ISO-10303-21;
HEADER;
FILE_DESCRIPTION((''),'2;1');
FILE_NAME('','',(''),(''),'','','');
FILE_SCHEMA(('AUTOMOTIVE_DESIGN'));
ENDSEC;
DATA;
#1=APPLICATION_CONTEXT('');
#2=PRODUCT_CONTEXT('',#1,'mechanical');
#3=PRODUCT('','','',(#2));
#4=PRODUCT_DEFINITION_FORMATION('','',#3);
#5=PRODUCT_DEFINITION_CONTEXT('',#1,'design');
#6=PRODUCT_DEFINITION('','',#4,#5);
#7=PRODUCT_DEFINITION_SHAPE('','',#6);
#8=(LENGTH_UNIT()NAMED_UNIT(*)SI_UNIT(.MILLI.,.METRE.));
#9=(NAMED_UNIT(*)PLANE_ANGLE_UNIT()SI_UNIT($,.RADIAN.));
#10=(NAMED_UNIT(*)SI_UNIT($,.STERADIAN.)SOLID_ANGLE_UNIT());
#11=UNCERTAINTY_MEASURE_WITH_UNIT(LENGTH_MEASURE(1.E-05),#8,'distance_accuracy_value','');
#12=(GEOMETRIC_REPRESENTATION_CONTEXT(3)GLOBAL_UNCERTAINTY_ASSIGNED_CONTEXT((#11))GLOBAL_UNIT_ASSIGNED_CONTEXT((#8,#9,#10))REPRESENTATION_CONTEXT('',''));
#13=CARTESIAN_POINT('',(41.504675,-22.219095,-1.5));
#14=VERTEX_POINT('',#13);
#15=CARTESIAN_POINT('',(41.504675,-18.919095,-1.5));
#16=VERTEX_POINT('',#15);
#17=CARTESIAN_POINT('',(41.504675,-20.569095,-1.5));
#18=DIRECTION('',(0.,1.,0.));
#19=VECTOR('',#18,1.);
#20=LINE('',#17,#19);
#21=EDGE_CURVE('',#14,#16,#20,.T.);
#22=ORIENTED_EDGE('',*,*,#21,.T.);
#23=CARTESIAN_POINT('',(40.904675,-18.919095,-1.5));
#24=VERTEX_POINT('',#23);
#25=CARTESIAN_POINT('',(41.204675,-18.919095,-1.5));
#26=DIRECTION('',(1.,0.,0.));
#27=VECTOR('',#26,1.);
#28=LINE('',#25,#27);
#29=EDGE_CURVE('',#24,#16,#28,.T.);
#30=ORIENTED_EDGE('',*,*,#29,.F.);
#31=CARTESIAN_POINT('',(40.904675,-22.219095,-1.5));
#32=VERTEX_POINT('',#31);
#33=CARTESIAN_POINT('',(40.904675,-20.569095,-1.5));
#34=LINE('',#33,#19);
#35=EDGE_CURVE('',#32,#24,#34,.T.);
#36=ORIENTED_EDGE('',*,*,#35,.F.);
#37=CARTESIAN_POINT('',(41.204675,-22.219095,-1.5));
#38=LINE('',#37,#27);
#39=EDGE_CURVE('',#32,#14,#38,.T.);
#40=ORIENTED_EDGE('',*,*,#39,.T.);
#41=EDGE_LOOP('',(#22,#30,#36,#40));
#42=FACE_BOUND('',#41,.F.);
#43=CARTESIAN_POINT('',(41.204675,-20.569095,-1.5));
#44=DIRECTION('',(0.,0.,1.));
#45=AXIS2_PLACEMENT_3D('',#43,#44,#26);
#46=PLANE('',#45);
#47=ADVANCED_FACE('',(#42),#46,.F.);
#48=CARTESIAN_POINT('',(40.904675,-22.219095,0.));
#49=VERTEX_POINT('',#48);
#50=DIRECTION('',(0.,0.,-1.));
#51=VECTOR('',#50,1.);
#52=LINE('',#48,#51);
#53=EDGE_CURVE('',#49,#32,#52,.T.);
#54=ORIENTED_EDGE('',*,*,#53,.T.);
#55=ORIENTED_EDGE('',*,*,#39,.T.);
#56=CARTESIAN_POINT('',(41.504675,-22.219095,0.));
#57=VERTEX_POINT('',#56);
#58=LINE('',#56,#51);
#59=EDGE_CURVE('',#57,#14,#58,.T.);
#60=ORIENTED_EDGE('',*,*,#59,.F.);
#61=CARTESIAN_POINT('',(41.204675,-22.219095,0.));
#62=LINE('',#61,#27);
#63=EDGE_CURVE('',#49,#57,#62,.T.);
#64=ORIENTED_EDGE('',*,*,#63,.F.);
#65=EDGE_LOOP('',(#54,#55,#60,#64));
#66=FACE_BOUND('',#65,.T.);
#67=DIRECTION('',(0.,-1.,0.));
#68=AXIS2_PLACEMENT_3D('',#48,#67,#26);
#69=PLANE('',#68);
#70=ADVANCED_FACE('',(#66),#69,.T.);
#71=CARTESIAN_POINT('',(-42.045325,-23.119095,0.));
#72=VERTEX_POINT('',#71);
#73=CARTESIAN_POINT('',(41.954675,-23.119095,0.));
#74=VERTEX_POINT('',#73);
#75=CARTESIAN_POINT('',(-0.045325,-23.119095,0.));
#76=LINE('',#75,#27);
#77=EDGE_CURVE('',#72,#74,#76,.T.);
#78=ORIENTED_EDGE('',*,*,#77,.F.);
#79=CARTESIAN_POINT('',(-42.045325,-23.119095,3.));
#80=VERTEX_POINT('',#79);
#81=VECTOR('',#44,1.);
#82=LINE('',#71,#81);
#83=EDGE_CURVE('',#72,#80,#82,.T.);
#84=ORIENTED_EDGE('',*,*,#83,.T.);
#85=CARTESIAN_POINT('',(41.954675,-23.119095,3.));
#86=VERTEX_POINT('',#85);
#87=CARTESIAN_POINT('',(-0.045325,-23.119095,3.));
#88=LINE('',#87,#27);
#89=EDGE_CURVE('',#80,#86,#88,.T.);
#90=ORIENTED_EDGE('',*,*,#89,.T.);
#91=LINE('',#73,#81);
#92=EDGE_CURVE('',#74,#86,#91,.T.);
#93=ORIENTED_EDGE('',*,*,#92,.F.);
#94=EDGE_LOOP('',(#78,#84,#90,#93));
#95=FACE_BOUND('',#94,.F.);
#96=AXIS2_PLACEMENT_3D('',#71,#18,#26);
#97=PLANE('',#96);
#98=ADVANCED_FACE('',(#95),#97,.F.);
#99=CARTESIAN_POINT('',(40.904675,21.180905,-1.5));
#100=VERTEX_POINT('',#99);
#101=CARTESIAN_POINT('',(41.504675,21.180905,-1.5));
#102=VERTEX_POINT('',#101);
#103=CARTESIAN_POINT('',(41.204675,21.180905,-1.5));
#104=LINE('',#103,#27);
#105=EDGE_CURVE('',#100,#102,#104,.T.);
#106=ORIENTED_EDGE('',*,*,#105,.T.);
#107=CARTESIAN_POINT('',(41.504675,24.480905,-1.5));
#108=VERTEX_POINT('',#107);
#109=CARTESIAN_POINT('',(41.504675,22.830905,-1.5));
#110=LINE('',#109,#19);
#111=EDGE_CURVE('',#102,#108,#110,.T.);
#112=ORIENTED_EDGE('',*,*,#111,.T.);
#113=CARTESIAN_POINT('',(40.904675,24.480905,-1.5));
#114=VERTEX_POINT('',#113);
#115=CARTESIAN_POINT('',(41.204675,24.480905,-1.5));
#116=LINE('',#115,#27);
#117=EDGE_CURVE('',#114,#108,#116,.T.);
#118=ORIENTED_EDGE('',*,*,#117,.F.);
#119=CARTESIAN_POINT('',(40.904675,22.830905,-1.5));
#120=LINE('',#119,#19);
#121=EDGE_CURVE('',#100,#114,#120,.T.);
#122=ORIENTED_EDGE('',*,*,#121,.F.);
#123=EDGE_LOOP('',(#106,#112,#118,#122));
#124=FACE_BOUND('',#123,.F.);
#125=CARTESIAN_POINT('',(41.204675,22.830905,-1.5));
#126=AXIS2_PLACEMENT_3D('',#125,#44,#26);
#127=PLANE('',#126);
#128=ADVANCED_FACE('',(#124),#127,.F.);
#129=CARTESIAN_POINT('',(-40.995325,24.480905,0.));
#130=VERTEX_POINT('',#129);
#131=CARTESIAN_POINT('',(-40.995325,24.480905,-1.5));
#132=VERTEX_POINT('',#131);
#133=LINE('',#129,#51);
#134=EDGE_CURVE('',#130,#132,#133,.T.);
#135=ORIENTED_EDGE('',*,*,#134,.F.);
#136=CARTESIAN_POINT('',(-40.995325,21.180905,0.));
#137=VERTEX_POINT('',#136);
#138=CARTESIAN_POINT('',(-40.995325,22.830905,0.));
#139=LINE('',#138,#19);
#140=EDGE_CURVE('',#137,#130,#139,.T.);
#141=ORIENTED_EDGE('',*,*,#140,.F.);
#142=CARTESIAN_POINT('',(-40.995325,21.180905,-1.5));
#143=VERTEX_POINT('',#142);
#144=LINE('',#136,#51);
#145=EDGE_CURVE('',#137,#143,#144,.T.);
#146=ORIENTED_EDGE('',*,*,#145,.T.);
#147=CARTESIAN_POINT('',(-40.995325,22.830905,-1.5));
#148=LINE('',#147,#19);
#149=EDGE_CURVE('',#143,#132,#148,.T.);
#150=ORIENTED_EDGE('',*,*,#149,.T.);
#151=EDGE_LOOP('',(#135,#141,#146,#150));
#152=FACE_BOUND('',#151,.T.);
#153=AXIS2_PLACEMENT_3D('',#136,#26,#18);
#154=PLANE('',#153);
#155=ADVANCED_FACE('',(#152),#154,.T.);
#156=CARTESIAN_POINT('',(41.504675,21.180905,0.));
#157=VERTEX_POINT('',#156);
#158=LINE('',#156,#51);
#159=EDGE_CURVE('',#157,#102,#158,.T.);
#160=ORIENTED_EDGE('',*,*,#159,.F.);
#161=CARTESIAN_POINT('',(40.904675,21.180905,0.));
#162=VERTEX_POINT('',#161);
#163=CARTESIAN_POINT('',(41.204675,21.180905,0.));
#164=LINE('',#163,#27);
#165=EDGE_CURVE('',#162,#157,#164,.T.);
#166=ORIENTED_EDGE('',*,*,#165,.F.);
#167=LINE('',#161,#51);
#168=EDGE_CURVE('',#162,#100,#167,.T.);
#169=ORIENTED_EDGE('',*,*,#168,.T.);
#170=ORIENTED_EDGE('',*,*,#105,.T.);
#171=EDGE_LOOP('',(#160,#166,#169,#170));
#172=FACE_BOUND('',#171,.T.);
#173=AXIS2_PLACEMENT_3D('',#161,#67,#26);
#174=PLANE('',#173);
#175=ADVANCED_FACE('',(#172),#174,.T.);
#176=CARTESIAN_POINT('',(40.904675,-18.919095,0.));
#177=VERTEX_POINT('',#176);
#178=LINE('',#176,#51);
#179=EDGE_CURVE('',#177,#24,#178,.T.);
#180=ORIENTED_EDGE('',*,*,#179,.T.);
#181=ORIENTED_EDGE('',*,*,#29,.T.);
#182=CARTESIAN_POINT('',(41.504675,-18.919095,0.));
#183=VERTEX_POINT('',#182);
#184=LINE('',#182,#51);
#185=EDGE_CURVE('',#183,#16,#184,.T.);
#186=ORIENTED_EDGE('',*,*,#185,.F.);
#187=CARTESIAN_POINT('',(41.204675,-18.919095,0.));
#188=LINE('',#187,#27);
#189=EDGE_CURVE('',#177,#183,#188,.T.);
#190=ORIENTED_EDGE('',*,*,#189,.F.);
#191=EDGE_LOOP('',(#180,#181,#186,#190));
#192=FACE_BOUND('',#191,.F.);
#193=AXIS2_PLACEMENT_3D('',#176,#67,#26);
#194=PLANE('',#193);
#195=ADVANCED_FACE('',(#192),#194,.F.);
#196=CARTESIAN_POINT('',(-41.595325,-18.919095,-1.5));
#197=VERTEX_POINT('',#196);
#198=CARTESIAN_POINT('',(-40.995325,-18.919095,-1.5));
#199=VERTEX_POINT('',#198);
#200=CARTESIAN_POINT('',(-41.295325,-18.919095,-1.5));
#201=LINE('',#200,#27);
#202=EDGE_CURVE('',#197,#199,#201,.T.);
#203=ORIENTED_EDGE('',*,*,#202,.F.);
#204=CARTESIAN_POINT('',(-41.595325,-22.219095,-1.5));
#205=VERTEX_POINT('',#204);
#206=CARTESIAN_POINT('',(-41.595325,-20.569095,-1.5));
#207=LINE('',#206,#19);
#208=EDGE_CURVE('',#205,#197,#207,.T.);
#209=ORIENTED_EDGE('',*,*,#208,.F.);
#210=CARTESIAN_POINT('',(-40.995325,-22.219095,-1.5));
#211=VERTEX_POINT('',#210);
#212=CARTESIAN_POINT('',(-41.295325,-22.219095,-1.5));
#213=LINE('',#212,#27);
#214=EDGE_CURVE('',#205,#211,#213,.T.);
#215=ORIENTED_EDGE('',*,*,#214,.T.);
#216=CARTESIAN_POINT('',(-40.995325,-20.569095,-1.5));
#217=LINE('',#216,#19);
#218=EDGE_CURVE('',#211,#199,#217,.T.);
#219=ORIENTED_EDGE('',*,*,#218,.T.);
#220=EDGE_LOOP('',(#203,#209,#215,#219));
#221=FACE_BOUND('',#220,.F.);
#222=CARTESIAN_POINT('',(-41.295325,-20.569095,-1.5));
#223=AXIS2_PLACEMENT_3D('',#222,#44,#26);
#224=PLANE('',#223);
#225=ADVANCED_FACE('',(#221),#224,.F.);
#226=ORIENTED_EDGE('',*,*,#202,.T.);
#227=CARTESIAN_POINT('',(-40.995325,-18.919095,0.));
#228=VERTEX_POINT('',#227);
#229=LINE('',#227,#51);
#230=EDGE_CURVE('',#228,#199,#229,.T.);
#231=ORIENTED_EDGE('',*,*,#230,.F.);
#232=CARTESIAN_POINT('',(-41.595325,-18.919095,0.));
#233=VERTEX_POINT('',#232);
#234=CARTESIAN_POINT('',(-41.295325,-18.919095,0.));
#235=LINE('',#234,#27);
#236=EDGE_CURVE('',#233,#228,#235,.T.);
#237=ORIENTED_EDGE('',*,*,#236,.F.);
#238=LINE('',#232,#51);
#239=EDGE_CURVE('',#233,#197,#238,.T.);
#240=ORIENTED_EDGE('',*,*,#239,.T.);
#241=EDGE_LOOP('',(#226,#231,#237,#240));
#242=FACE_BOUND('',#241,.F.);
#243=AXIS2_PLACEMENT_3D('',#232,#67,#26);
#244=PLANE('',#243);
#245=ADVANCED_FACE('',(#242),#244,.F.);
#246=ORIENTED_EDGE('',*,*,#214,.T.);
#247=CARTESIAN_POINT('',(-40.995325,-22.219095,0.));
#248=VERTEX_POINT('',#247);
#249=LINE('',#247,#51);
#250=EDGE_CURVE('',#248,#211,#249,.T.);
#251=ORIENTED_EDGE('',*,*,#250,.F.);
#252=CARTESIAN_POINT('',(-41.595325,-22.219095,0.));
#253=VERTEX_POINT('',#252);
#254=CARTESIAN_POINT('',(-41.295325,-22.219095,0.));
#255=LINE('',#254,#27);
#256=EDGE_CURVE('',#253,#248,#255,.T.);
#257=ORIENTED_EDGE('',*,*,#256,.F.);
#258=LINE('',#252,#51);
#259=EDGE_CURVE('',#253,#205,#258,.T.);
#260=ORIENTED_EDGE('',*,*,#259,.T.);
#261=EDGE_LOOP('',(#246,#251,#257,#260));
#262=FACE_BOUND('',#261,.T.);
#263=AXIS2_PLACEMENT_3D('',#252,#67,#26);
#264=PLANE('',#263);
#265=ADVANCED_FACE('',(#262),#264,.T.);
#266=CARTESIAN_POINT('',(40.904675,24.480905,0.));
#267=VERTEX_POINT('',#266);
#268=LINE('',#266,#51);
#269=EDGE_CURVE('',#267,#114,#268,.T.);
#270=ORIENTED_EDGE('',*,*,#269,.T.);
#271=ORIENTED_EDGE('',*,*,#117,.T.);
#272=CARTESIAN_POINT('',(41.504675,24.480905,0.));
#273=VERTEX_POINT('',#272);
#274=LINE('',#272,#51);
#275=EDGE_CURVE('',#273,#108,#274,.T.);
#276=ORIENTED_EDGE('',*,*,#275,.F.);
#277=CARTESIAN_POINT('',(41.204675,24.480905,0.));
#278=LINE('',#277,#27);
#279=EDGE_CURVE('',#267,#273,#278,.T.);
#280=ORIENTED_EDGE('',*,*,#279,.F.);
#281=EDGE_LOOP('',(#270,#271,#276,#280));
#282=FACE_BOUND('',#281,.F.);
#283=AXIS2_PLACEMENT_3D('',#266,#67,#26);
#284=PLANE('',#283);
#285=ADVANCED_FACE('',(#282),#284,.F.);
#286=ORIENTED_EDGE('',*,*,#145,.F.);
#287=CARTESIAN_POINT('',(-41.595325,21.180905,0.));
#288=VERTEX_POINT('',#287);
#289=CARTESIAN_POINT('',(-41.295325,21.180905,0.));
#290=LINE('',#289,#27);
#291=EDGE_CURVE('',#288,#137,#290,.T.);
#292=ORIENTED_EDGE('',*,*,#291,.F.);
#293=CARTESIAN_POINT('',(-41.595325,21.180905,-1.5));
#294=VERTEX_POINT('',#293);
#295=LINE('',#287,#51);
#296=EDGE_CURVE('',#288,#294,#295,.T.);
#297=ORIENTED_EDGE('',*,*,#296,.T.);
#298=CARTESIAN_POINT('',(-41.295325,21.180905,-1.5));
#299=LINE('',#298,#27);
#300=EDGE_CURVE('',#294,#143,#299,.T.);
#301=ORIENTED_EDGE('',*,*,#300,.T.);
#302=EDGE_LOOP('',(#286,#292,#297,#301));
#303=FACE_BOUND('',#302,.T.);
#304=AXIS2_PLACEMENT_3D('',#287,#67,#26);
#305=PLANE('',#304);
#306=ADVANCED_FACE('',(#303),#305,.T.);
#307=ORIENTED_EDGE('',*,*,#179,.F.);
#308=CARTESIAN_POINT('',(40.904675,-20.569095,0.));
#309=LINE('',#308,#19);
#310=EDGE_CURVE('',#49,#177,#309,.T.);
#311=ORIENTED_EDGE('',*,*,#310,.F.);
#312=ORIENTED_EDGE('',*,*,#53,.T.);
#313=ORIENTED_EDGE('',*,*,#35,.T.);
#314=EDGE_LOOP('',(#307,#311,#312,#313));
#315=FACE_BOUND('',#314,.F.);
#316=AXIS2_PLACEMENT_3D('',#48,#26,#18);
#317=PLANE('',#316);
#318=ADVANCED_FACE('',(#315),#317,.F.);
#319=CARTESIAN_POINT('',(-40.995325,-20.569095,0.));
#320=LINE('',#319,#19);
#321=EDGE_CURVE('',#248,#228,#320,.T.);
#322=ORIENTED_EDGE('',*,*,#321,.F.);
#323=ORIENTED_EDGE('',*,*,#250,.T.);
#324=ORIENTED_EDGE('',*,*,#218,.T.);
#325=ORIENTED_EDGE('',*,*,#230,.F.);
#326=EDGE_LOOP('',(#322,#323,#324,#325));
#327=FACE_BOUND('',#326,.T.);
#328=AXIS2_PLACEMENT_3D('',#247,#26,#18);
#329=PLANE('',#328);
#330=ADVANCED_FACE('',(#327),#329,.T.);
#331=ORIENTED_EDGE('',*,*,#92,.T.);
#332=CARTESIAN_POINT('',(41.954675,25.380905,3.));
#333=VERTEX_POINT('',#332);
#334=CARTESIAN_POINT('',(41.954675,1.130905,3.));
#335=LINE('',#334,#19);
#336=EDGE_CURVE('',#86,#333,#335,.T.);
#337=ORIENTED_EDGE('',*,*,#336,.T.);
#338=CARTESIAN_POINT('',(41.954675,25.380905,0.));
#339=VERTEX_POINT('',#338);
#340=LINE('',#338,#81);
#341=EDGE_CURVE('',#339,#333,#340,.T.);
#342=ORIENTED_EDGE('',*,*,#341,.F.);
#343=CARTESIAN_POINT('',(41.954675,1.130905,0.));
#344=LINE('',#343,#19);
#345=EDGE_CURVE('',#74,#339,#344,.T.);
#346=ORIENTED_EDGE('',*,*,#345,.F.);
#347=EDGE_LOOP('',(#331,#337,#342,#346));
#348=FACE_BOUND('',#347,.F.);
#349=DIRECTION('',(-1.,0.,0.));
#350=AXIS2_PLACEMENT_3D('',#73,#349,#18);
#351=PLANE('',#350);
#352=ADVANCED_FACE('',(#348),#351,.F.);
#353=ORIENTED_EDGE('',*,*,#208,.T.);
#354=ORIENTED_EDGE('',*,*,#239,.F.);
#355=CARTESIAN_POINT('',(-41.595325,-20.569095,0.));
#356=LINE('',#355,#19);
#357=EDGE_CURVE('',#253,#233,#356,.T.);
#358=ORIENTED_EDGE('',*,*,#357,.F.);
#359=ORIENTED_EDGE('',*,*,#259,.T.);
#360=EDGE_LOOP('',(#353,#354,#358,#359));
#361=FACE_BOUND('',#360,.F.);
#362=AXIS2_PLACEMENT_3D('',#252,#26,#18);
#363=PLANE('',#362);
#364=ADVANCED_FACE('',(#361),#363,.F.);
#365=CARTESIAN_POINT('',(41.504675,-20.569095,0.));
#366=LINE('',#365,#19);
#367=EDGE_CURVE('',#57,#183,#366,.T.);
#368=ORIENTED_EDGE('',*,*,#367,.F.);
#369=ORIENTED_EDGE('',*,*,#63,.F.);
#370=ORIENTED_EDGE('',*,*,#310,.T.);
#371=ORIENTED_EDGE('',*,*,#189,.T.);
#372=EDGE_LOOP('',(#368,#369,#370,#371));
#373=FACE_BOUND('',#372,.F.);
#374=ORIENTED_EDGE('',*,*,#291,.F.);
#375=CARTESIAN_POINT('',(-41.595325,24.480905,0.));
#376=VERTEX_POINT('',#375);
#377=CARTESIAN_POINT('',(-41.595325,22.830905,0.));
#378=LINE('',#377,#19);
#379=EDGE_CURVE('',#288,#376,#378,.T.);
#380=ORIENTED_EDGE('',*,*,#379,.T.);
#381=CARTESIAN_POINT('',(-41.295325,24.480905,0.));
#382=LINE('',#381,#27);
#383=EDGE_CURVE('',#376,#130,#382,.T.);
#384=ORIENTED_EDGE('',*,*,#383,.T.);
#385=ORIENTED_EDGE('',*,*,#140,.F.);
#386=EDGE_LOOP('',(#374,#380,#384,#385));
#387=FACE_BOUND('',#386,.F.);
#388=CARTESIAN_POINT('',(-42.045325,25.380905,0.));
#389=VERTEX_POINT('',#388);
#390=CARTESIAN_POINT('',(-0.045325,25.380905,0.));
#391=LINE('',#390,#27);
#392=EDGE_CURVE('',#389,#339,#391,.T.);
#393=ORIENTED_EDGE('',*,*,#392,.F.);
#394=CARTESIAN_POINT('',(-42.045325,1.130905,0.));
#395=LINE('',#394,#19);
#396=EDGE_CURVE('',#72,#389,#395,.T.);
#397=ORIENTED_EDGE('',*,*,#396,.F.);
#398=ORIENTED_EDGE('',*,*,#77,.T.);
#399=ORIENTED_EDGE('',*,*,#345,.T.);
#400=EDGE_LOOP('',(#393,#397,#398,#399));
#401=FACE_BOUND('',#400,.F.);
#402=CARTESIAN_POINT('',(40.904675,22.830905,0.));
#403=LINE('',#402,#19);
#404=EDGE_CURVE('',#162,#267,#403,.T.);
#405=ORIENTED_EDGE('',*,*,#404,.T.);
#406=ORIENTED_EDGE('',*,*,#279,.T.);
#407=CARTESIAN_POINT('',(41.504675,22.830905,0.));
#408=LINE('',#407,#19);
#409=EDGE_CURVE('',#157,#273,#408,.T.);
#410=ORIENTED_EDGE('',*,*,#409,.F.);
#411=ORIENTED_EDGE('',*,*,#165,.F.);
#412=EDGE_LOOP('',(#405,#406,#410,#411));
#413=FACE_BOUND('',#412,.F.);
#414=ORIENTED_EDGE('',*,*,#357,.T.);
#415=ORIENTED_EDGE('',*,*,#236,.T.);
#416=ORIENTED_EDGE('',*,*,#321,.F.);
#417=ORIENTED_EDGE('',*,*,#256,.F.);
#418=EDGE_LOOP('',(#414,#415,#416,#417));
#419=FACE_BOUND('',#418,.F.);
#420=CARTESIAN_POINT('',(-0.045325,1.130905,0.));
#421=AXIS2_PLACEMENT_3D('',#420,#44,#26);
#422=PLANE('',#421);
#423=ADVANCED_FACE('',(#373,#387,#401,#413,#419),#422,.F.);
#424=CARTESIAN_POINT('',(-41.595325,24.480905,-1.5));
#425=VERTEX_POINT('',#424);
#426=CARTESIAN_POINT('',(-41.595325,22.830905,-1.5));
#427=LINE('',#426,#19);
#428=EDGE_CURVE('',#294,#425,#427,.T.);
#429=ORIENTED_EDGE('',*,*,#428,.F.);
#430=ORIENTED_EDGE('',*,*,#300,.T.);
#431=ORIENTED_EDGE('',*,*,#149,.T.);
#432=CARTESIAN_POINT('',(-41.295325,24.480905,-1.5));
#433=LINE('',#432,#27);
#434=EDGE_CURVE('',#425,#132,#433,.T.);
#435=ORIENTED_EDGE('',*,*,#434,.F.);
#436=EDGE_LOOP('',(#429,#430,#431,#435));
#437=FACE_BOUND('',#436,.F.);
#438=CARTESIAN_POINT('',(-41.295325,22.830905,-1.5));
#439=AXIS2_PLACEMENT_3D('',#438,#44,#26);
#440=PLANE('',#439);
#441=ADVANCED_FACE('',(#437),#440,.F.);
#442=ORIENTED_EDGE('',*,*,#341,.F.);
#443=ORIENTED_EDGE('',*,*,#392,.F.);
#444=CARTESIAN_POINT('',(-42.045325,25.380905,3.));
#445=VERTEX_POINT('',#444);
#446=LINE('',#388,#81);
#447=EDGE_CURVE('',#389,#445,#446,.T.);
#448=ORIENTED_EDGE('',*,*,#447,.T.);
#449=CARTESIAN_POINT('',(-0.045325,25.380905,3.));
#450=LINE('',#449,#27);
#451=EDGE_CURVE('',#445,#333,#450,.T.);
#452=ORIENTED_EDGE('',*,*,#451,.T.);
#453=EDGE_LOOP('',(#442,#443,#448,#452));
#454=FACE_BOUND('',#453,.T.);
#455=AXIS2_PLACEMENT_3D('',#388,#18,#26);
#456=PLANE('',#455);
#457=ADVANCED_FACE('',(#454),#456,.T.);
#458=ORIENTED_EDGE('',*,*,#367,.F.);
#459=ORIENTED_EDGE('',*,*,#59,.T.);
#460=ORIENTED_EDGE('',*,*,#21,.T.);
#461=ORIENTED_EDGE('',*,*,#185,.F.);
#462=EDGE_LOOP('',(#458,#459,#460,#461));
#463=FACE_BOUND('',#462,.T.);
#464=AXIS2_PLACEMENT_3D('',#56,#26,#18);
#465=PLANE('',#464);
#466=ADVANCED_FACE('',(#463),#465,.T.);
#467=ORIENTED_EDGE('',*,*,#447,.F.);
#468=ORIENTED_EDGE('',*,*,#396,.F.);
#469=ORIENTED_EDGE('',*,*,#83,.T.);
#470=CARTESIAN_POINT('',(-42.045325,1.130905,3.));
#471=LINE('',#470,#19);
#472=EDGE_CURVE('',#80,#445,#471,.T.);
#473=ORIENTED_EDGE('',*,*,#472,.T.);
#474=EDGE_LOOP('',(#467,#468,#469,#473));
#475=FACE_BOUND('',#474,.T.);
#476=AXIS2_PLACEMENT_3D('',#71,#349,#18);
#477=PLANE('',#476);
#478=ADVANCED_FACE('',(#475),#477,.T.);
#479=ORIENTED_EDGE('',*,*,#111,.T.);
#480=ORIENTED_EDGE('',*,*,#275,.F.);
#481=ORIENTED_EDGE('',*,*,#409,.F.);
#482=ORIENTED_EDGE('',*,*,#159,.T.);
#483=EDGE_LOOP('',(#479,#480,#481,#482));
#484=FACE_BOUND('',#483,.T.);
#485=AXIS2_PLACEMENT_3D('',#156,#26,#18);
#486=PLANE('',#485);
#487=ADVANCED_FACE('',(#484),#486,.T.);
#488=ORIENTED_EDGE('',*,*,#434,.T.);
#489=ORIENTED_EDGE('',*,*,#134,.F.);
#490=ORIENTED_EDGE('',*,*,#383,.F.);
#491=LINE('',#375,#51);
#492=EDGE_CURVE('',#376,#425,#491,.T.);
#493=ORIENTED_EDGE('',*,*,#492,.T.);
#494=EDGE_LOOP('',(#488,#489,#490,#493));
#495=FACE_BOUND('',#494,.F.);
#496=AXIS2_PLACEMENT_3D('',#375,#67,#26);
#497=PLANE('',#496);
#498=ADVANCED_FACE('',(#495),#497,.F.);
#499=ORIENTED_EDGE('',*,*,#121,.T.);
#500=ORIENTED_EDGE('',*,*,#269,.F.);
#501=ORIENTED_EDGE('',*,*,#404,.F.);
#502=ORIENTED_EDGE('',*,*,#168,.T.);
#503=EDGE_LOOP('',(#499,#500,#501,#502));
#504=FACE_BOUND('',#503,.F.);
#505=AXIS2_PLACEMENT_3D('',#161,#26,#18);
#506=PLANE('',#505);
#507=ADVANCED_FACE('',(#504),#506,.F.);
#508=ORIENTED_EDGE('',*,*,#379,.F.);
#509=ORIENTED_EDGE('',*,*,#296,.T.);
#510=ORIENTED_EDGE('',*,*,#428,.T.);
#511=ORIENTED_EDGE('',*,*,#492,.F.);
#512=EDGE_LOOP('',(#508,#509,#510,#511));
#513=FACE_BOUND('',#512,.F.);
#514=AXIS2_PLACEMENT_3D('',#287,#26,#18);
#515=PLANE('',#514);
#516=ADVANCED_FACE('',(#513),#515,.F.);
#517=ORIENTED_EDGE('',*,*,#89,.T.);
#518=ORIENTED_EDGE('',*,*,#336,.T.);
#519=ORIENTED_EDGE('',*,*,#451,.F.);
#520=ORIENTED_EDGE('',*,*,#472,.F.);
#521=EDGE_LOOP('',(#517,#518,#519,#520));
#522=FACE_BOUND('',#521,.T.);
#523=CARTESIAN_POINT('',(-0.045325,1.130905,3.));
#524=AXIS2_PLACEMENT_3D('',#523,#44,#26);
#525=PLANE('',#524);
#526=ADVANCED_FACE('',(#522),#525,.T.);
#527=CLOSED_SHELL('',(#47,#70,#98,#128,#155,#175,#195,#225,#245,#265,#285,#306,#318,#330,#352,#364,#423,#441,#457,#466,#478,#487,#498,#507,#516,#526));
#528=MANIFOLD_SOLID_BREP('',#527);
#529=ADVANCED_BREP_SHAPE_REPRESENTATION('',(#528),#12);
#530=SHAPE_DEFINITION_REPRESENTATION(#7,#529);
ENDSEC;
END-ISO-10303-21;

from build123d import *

# Parameters (mm, degrees)
F1_W     = 84
F1_H     = 48.5
F1_W_2   = 0.6
F1_H_2   = 3.3
F2_DEPTH = 3
F3_DEPTH = 1.5


with BuildPart() as f2:
    # F1 (on Top) → F2 (new body)
    with BuildSketch(Plane.XY):
        with Locations((-0.045325, 1.130905)):
            Rectangle(F1_W, F1_H)
        with Locations((-41.295325, -20.569095)):
            Rectangle(F1_W_2, F1_H_2, mode=Mode.SUBTRACT)
        with Locations((41.204675, -20.569095)):
            Rectangle(F1_W_2, F1_H_2, mode=Mode.SUBTRACT)
        with Locations((-41.295325, 22.830905)):
            Rectangle(F1_W_2, F1_H_2, mode=Mode.SUBTRACT)
        with Locations((41.204675, 22.830905)):
            Rectangle(F1_W_2, F1_H_2, mode=Mode.SUBTRACT)
        with Locations((41.204675, -20.569095)):
            Rectangle(F1_W_2, F1_H_2)
        with Locations((41.204675, 22.830905)):
            Rectangle(F1_W_2, F1_H_2)
        with Locations((-41.295325, -20.569095)):
            Rectangle(F1_W_2, F1_H_2)
        with Locations((-41.295325, 22.830905)):
            Rectangle(F1_W_2, F1_H_2)
    extrude(amount=F2_DEPTH)

    # F1 (on Top) → F3 (join)
    with BuildSketch(Plane.XY):
        with Locations((-41.295325, -20.569095)):
            Rectangle(F1_W_2, F1_H_2)
        with Locations((-41.295325, 22.830905)):
            Rectangle(F1_W_2, F1_H_2)
        with Locations((41.204675, -20.569095)):
            Rectangle(F1_W_2, F1_H_2)
        with Locations((41.204675, 22.830905)):
            Rectangle(F1_W_2, F1_H_2)
    extrude(amount=-F3_DEPTH)


solid = f2.part
